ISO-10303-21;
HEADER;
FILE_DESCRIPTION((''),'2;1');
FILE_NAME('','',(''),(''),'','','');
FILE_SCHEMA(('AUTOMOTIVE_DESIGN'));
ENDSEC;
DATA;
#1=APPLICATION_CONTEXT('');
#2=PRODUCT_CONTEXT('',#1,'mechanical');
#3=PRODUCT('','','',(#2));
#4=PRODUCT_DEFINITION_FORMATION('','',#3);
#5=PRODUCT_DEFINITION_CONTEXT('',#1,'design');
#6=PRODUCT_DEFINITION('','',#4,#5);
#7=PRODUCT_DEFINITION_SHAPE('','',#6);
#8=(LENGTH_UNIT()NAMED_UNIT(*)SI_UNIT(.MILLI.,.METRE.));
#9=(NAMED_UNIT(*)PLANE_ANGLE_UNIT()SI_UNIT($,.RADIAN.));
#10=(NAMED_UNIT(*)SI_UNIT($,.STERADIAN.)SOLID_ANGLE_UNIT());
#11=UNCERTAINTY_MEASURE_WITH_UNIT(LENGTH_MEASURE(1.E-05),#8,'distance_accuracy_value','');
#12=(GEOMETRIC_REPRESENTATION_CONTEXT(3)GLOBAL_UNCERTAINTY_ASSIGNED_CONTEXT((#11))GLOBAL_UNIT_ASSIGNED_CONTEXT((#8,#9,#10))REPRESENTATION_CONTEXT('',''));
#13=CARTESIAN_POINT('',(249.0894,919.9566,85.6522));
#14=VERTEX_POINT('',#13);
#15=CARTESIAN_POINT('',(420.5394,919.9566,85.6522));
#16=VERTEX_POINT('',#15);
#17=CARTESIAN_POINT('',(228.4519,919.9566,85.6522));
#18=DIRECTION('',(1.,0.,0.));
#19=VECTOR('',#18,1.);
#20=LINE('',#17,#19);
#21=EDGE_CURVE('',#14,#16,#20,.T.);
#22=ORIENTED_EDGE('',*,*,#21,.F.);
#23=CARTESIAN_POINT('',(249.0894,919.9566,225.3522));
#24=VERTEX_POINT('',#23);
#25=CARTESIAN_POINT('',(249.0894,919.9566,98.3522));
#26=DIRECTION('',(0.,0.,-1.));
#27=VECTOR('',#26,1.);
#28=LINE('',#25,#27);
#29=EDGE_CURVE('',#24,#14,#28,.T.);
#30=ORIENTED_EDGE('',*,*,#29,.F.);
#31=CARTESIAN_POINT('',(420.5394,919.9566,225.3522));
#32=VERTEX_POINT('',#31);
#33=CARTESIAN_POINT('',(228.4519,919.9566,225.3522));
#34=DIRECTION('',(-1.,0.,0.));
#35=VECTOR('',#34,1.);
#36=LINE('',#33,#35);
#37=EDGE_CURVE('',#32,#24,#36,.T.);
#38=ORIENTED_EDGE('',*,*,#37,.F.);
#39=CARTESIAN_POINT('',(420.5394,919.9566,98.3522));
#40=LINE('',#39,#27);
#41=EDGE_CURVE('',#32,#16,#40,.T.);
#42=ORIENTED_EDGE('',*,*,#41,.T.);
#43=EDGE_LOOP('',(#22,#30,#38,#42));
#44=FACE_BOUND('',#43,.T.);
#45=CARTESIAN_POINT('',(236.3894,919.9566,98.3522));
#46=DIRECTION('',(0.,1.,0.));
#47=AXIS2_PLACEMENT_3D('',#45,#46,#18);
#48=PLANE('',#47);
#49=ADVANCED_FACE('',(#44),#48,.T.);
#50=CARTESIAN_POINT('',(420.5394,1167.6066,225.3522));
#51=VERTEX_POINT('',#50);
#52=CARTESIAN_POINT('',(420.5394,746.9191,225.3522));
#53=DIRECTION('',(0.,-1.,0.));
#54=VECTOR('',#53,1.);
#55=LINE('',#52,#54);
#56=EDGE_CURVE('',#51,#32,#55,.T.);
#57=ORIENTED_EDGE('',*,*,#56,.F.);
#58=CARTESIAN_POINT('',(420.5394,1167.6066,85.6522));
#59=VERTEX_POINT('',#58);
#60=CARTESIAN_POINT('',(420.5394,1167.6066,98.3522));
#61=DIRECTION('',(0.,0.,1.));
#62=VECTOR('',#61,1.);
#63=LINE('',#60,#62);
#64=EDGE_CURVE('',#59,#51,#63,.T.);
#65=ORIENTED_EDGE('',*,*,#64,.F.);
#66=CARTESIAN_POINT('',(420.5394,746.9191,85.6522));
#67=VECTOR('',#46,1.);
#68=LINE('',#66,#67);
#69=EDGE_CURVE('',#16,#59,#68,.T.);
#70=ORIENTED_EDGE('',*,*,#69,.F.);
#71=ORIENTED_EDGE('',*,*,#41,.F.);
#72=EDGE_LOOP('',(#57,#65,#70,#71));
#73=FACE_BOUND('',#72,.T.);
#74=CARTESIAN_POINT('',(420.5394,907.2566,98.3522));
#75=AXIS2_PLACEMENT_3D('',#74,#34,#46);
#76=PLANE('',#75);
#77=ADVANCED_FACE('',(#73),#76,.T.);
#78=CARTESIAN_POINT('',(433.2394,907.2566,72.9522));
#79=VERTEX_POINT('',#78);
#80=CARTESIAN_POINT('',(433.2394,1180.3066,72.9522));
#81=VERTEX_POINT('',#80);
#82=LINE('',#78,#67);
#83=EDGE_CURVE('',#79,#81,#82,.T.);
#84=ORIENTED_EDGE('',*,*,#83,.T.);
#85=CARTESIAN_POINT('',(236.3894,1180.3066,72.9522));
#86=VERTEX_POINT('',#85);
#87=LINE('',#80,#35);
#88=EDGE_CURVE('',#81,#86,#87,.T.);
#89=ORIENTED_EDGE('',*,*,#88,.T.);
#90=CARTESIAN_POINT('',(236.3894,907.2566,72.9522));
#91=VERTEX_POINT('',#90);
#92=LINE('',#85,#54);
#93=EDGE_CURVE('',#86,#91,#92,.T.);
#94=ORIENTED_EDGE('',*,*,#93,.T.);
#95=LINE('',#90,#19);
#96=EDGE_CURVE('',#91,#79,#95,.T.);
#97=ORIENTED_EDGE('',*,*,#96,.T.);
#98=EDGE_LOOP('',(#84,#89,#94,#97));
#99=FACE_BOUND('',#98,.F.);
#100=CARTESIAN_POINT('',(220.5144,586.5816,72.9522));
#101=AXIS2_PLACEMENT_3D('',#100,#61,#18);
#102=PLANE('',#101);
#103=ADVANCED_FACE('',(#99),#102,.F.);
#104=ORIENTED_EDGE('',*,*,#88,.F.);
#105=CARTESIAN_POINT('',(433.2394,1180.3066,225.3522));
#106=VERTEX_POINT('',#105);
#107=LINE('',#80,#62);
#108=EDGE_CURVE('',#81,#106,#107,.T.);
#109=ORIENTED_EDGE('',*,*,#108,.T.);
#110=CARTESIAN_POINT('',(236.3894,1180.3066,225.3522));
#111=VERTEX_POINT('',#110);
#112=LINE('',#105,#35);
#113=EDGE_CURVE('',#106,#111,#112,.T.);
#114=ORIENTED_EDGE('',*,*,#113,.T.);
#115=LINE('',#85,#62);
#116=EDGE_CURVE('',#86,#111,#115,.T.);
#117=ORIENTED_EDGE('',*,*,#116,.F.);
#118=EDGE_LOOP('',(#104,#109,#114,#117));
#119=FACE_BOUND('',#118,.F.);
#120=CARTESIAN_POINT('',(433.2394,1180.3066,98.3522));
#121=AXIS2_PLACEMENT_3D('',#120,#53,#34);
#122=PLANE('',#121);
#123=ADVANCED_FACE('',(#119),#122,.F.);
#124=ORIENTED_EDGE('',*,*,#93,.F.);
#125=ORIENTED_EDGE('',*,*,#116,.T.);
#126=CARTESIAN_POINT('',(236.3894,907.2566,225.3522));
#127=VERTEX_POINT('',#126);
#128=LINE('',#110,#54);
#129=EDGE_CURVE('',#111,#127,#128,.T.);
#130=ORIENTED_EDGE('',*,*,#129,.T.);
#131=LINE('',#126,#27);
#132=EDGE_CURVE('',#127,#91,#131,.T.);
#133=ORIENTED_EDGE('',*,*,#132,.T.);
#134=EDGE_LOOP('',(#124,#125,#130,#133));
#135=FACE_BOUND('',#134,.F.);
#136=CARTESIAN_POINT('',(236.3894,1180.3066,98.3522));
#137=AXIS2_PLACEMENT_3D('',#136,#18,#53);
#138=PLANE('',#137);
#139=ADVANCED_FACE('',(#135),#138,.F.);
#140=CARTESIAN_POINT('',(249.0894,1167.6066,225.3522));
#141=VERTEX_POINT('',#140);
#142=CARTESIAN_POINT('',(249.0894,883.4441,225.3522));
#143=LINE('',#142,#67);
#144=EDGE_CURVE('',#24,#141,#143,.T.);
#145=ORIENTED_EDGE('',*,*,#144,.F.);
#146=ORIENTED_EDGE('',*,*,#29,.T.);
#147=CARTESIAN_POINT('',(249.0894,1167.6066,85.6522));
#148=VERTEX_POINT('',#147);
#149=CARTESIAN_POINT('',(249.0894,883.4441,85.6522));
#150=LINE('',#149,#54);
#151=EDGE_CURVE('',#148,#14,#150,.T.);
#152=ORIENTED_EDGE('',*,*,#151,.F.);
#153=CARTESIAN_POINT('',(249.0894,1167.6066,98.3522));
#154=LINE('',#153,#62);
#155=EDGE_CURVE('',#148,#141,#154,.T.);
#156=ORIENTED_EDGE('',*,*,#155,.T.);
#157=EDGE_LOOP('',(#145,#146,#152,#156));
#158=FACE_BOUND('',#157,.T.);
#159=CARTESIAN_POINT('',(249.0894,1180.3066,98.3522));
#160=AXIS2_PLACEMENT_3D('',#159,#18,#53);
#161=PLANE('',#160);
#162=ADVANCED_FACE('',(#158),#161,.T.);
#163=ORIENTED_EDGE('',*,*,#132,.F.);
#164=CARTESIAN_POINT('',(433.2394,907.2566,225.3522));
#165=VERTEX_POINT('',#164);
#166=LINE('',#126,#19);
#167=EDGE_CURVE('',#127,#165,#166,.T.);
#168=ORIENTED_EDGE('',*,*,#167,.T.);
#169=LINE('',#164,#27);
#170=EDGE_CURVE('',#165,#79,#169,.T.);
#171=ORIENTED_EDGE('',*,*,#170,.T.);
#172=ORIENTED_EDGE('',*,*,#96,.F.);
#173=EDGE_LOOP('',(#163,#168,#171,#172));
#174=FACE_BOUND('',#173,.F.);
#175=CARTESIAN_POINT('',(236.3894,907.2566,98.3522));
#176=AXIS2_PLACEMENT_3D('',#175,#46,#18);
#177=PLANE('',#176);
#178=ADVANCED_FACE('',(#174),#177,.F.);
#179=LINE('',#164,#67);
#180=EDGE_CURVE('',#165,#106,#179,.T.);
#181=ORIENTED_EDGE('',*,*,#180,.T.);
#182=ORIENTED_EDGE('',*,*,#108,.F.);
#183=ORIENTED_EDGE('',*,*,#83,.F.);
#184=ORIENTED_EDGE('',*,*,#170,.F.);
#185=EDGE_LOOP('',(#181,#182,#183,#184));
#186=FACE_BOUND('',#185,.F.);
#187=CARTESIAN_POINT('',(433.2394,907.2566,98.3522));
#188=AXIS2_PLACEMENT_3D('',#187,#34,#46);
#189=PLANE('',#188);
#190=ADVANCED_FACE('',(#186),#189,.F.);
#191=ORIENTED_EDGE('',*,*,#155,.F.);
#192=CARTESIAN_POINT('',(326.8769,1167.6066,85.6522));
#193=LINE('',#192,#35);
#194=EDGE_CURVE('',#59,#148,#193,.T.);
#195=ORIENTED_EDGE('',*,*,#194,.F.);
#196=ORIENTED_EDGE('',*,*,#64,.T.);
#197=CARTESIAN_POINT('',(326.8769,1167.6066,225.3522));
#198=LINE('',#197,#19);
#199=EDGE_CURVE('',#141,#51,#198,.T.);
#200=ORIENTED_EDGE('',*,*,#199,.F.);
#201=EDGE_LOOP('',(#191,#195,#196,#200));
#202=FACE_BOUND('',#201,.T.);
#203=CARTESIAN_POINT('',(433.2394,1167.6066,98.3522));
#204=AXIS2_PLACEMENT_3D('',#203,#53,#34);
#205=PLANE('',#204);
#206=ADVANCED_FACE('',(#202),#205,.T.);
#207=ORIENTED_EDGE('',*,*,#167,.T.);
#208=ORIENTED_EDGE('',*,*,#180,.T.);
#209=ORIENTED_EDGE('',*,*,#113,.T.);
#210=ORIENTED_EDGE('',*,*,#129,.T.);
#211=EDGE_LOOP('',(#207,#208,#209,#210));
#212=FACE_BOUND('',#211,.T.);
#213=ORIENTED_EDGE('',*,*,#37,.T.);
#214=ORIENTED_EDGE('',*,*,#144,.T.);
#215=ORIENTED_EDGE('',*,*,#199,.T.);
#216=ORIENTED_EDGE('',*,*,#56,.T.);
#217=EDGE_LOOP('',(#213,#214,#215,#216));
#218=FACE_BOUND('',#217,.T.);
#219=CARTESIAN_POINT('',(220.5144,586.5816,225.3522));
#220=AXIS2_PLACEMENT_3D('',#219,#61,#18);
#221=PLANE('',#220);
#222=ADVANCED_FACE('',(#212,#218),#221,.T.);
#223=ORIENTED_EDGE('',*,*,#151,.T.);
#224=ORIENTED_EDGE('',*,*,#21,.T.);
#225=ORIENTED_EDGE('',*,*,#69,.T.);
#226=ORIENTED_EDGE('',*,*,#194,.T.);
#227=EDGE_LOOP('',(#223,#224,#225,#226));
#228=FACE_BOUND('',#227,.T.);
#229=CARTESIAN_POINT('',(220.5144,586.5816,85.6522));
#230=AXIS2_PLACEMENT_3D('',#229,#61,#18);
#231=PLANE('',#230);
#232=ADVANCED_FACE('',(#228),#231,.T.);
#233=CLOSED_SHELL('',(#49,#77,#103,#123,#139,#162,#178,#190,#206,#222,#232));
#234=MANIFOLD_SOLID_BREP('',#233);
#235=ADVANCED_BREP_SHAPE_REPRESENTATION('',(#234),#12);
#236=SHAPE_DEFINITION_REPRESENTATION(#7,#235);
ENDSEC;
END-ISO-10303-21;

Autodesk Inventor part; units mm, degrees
ref_plane "YZ Plane" through (0, 0, 0) normal (1, 0, 0) x (0, 1, 0)
ref_plane "XZ Plane" through (0, 0, 0) normal (0, 1, 0) x (-1, 0, 0)
ref_plane "Work Plane1" through (220.5144, 586.5816, 98.3522) normal (0, 0, 1) x (1, 0, 0)
sketch "Sketch1" plane through (220.5144, 586.5816, 98.3522) normal (0, 0, 1) x (1, 0, 0)
  line L0 (12.7, 622.3) -> (215.9, 622.3)
  line L1 (12.7, 317.5) -> (215.9, 317.5)
  line L2 (241.3, 317.5) -> (241.3, 596.9)
  line L3 (-12.7, 596.9) -> (-12.7, 317.5)
  line L4 (215.9, 596.9) -> (12.7, 596.9)
  line L5 (215.9, 596.9) -> (215.9, 317.5)
  line L6 (12.7, 317.5) -> (12.7, 596.9)
  line L7 (212.725, 593.725) -> (15.875, 593.725)
  line L8 (15.875, 593.725) -> (15.875, 320.675)
  line L9 (15.875, 320.675) -> (212.725, 320.675)
  line L10 (212.725, 320.675) -> (212.725, 593.725)
  point P0 (-220.5144, -586.5816)
extrude "Extrusion1" add sketch "Sketch1" along normal blind 127 and the other way blind 25.4 contours L10 L9 L8 L7
shell "Shell1" thickness 12.7 removed faces 1 at (302.006, 1089.2899, 225.3522)
properties part number "Rail car blue v2"
